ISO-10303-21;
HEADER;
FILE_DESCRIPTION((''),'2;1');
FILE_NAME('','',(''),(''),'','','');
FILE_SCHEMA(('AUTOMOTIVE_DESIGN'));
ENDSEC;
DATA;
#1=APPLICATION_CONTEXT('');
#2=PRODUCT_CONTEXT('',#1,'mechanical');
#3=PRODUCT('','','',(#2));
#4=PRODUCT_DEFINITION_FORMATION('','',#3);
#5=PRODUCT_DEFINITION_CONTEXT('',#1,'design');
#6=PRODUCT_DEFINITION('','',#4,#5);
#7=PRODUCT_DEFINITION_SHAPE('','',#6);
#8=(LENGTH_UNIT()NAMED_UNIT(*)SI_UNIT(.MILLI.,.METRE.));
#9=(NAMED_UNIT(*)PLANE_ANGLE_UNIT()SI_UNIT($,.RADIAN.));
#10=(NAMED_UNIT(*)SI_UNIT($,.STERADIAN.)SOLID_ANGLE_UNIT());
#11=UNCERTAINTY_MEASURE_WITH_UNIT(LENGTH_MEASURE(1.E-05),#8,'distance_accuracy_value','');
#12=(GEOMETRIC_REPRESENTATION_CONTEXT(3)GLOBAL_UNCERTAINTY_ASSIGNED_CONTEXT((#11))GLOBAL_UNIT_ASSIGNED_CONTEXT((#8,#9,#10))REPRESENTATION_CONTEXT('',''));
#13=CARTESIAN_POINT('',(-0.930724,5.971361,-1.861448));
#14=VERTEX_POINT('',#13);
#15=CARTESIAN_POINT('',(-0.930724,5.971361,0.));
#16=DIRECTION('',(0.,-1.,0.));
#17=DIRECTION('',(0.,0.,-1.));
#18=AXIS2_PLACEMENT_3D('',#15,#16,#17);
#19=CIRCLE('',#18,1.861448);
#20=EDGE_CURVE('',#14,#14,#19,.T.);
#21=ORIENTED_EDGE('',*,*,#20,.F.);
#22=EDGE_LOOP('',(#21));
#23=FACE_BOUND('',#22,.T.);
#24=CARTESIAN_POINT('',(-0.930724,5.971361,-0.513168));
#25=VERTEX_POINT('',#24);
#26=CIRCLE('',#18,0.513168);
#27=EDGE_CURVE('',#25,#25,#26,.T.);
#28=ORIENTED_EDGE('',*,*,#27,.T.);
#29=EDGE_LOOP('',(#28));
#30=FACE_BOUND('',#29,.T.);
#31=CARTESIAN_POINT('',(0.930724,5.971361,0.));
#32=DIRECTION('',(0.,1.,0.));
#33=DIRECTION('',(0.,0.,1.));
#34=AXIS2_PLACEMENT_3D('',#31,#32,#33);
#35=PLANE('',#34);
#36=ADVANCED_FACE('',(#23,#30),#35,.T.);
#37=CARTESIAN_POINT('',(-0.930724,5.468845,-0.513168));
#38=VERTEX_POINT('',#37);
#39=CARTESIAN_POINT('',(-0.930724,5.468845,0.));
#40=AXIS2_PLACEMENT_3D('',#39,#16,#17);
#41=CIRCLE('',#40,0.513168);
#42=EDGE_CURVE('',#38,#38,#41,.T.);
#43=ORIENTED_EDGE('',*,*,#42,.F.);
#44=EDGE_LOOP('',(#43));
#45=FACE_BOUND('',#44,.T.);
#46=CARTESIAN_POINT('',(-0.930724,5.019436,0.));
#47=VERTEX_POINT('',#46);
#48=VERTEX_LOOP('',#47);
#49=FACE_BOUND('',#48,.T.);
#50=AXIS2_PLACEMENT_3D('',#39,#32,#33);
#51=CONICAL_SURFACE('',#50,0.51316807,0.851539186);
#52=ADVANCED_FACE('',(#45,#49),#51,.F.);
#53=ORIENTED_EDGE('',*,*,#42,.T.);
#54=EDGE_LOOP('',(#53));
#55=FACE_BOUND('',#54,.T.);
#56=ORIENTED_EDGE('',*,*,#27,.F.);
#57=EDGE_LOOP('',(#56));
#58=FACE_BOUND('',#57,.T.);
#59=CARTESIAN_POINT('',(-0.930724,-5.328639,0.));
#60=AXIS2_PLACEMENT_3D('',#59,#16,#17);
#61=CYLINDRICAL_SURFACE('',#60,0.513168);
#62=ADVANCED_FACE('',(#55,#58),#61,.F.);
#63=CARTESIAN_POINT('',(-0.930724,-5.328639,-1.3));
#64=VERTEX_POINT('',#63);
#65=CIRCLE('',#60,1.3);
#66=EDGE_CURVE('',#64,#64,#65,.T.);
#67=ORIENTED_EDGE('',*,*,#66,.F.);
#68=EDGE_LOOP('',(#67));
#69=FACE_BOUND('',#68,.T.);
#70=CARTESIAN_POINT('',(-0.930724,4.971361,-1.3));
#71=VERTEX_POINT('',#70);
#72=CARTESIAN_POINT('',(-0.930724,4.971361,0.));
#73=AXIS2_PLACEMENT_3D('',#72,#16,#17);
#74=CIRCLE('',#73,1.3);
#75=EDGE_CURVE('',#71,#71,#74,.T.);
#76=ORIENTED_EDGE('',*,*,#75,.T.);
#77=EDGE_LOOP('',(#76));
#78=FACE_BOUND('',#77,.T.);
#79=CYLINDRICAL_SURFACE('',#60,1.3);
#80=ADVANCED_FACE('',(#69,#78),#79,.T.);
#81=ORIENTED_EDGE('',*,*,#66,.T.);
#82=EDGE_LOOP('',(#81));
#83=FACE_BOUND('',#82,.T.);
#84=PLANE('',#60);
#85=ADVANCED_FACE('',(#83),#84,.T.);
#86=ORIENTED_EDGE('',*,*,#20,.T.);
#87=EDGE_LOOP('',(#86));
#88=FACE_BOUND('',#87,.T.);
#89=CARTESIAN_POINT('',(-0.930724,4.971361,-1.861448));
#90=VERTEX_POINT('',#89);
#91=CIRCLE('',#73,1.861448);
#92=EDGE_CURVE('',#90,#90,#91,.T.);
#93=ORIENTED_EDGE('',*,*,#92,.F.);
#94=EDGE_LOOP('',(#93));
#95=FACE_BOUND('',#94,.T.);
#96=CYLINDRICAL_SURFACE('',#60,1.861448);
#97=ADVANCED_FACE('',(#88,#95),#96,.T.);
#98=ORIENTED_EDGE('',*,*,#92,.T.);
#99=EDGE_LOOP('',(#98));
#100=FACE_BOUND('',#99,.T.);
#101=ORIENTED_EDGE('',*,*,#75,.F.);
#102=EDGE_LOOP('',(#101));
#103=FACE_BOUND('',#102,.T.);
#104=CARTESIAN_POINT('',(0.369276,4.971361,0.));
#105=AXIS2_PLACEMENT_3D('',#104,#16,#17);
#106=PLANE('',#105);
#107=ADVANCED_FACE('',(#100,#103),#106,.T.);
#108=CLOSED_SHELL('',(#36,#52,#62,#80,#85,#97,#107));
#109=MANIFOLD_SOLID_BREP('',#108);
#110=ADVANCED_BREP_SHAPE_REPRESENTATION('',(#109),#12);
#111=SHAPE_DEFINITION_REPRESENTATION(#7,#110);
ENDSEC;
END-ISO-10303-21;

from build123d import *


with BuildPart() as part:
    # Sketch1 → Revolve1 (revolve)
    with BuildSketch(Plane.XY):
        Polygon((-0.930723952, -5.328639458), (0.369276048, -5.328639458), (0.369276048, 4.971360542), (0.930723952, 4.971360542), (0.930723952, 5.971360542), (-0.417555882, 5.971360542), (-0.417555882, 5.468845315), (-0.930723952, 5.019436093), align=None)
    revolve(axis=Axis((-0.930723952, -5.328639458, 0), (0, 1, 0)))


solid = part.part
